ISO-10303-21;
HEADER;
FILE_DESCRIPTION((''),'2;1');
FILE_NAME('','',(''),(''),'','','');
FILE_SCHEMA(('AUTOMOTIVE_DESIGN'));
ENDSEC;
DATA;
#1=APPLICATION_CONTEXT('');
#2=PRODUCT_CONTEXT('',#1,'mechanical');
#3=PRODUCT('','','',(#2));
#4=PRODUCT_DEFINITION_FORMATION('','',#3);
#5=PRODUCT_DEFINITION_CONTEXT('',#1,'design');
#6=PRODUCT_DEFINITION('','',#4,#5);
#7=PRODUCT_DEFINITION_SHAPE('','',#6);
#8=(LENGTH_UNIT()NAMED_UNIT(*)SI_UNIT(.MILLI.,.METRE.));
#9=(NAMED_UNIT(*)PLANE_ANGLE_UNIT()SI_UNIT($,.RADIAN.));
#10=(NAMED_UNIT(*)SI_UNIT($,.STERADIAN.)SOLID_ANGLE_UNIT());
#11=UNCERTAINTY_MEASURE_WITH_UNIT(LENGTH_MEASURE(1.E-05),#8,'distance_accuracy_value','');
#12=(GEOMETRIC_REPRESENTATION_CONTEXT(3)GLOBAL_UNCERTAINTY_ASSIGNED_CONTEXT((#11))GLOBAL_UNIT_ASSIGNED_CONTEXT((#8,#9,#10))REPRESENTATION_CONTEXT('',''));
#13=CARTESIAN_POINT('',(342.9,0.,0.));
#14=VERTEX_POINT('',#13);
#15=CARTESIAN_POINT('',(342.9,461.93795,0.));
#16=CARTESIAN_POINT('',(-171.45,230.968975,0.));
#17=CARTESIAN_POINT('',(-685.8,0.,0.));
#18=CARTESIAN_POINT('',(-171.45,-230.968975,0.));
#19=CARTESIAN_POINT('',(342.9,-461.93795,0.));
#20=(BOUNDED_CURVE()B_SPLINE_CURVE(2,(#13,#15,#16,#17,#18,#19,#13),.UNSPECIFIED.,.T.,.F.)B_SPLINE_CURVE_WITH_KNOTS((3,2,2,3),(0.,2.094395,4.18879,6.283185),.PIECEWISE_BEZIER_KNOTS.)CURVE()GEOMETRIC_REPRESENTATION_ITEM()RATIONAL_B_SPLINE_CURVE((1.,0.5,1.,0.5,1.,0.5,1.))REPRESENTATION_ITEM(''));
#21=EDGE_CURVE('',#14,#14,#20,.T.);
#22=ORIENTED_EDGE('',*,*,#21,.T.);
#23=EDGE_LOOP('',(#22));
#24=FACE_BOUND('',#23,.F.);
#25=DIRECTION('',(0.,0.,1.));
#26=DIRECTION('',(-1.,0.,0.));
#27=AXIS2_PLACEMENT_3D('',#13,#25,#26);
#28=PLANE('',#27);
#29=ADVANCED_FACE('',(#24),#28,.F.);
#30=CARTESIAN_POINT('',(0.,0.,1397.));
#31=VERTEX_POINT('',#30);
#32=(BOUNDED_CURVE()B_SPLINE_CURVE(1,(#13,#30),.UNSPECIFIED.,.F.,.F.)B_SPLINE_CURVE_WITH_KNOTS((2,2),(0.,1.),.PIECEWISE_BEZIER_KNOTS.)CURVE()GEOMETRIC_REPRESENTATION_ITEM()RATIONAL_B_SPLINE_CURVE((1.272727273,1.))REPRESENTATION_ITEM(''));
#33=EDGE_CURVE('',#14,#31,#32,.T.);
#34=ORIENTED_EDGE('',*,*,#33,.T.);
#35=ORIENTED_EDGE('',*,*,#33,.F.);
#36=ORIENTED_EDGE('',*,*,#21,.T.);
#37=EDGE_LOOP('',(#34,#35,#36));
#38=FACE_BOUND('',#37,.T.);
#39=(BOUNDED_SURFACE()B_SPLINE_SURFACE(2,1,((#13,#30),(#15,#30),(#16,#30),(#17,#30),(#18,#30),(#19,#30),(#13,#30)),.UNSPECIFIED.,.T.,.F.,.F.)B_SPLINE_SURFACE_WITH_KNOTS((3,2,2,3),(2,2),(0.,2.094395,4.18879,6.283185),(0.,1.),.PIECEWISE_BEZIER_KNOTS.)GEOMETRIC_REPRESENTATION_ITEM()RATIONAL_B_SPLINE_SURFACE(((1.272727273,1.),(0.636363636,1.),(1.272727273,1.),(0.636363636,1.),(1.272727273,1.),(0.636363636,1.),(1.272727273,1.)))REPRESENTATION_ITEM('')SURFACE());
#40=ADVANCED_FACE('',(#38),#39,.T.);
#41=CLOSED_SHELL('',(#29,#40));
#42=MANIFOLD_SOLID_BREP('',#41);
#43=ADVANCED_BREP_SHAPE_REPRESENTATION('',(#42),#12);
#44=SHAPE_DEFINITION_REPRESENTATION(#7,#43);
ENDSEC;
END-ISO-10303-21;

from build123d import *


with BuildPart() as f3:
    # F0 (on Top) → F3 section 0
    with BuildSketch(Plane.XY, mode=Mode.PRIVATE) as f3_s0:
        with BuildLine():
            add(Edge.make_bspline(
                [(342.9, 0), (342.9, 461.93795), (-171.45, 230.968975), (-685.8, 0), (-171.45, -230.968975), (342.9, -461.93795), (342.9, 0)],
                knots=[0, 0, 0, 2.094395, 2.094395, 4.18879, 4.18879, 6.283185, 6.283185, 6.283185], degree=2, weights=[1, 0.5, 1, 0.5, 1, 0.5, 1]))
        make_face()
    loft([f3_s0.sketch, Vertex(0, 0, 1397)])


solid = f3.part
